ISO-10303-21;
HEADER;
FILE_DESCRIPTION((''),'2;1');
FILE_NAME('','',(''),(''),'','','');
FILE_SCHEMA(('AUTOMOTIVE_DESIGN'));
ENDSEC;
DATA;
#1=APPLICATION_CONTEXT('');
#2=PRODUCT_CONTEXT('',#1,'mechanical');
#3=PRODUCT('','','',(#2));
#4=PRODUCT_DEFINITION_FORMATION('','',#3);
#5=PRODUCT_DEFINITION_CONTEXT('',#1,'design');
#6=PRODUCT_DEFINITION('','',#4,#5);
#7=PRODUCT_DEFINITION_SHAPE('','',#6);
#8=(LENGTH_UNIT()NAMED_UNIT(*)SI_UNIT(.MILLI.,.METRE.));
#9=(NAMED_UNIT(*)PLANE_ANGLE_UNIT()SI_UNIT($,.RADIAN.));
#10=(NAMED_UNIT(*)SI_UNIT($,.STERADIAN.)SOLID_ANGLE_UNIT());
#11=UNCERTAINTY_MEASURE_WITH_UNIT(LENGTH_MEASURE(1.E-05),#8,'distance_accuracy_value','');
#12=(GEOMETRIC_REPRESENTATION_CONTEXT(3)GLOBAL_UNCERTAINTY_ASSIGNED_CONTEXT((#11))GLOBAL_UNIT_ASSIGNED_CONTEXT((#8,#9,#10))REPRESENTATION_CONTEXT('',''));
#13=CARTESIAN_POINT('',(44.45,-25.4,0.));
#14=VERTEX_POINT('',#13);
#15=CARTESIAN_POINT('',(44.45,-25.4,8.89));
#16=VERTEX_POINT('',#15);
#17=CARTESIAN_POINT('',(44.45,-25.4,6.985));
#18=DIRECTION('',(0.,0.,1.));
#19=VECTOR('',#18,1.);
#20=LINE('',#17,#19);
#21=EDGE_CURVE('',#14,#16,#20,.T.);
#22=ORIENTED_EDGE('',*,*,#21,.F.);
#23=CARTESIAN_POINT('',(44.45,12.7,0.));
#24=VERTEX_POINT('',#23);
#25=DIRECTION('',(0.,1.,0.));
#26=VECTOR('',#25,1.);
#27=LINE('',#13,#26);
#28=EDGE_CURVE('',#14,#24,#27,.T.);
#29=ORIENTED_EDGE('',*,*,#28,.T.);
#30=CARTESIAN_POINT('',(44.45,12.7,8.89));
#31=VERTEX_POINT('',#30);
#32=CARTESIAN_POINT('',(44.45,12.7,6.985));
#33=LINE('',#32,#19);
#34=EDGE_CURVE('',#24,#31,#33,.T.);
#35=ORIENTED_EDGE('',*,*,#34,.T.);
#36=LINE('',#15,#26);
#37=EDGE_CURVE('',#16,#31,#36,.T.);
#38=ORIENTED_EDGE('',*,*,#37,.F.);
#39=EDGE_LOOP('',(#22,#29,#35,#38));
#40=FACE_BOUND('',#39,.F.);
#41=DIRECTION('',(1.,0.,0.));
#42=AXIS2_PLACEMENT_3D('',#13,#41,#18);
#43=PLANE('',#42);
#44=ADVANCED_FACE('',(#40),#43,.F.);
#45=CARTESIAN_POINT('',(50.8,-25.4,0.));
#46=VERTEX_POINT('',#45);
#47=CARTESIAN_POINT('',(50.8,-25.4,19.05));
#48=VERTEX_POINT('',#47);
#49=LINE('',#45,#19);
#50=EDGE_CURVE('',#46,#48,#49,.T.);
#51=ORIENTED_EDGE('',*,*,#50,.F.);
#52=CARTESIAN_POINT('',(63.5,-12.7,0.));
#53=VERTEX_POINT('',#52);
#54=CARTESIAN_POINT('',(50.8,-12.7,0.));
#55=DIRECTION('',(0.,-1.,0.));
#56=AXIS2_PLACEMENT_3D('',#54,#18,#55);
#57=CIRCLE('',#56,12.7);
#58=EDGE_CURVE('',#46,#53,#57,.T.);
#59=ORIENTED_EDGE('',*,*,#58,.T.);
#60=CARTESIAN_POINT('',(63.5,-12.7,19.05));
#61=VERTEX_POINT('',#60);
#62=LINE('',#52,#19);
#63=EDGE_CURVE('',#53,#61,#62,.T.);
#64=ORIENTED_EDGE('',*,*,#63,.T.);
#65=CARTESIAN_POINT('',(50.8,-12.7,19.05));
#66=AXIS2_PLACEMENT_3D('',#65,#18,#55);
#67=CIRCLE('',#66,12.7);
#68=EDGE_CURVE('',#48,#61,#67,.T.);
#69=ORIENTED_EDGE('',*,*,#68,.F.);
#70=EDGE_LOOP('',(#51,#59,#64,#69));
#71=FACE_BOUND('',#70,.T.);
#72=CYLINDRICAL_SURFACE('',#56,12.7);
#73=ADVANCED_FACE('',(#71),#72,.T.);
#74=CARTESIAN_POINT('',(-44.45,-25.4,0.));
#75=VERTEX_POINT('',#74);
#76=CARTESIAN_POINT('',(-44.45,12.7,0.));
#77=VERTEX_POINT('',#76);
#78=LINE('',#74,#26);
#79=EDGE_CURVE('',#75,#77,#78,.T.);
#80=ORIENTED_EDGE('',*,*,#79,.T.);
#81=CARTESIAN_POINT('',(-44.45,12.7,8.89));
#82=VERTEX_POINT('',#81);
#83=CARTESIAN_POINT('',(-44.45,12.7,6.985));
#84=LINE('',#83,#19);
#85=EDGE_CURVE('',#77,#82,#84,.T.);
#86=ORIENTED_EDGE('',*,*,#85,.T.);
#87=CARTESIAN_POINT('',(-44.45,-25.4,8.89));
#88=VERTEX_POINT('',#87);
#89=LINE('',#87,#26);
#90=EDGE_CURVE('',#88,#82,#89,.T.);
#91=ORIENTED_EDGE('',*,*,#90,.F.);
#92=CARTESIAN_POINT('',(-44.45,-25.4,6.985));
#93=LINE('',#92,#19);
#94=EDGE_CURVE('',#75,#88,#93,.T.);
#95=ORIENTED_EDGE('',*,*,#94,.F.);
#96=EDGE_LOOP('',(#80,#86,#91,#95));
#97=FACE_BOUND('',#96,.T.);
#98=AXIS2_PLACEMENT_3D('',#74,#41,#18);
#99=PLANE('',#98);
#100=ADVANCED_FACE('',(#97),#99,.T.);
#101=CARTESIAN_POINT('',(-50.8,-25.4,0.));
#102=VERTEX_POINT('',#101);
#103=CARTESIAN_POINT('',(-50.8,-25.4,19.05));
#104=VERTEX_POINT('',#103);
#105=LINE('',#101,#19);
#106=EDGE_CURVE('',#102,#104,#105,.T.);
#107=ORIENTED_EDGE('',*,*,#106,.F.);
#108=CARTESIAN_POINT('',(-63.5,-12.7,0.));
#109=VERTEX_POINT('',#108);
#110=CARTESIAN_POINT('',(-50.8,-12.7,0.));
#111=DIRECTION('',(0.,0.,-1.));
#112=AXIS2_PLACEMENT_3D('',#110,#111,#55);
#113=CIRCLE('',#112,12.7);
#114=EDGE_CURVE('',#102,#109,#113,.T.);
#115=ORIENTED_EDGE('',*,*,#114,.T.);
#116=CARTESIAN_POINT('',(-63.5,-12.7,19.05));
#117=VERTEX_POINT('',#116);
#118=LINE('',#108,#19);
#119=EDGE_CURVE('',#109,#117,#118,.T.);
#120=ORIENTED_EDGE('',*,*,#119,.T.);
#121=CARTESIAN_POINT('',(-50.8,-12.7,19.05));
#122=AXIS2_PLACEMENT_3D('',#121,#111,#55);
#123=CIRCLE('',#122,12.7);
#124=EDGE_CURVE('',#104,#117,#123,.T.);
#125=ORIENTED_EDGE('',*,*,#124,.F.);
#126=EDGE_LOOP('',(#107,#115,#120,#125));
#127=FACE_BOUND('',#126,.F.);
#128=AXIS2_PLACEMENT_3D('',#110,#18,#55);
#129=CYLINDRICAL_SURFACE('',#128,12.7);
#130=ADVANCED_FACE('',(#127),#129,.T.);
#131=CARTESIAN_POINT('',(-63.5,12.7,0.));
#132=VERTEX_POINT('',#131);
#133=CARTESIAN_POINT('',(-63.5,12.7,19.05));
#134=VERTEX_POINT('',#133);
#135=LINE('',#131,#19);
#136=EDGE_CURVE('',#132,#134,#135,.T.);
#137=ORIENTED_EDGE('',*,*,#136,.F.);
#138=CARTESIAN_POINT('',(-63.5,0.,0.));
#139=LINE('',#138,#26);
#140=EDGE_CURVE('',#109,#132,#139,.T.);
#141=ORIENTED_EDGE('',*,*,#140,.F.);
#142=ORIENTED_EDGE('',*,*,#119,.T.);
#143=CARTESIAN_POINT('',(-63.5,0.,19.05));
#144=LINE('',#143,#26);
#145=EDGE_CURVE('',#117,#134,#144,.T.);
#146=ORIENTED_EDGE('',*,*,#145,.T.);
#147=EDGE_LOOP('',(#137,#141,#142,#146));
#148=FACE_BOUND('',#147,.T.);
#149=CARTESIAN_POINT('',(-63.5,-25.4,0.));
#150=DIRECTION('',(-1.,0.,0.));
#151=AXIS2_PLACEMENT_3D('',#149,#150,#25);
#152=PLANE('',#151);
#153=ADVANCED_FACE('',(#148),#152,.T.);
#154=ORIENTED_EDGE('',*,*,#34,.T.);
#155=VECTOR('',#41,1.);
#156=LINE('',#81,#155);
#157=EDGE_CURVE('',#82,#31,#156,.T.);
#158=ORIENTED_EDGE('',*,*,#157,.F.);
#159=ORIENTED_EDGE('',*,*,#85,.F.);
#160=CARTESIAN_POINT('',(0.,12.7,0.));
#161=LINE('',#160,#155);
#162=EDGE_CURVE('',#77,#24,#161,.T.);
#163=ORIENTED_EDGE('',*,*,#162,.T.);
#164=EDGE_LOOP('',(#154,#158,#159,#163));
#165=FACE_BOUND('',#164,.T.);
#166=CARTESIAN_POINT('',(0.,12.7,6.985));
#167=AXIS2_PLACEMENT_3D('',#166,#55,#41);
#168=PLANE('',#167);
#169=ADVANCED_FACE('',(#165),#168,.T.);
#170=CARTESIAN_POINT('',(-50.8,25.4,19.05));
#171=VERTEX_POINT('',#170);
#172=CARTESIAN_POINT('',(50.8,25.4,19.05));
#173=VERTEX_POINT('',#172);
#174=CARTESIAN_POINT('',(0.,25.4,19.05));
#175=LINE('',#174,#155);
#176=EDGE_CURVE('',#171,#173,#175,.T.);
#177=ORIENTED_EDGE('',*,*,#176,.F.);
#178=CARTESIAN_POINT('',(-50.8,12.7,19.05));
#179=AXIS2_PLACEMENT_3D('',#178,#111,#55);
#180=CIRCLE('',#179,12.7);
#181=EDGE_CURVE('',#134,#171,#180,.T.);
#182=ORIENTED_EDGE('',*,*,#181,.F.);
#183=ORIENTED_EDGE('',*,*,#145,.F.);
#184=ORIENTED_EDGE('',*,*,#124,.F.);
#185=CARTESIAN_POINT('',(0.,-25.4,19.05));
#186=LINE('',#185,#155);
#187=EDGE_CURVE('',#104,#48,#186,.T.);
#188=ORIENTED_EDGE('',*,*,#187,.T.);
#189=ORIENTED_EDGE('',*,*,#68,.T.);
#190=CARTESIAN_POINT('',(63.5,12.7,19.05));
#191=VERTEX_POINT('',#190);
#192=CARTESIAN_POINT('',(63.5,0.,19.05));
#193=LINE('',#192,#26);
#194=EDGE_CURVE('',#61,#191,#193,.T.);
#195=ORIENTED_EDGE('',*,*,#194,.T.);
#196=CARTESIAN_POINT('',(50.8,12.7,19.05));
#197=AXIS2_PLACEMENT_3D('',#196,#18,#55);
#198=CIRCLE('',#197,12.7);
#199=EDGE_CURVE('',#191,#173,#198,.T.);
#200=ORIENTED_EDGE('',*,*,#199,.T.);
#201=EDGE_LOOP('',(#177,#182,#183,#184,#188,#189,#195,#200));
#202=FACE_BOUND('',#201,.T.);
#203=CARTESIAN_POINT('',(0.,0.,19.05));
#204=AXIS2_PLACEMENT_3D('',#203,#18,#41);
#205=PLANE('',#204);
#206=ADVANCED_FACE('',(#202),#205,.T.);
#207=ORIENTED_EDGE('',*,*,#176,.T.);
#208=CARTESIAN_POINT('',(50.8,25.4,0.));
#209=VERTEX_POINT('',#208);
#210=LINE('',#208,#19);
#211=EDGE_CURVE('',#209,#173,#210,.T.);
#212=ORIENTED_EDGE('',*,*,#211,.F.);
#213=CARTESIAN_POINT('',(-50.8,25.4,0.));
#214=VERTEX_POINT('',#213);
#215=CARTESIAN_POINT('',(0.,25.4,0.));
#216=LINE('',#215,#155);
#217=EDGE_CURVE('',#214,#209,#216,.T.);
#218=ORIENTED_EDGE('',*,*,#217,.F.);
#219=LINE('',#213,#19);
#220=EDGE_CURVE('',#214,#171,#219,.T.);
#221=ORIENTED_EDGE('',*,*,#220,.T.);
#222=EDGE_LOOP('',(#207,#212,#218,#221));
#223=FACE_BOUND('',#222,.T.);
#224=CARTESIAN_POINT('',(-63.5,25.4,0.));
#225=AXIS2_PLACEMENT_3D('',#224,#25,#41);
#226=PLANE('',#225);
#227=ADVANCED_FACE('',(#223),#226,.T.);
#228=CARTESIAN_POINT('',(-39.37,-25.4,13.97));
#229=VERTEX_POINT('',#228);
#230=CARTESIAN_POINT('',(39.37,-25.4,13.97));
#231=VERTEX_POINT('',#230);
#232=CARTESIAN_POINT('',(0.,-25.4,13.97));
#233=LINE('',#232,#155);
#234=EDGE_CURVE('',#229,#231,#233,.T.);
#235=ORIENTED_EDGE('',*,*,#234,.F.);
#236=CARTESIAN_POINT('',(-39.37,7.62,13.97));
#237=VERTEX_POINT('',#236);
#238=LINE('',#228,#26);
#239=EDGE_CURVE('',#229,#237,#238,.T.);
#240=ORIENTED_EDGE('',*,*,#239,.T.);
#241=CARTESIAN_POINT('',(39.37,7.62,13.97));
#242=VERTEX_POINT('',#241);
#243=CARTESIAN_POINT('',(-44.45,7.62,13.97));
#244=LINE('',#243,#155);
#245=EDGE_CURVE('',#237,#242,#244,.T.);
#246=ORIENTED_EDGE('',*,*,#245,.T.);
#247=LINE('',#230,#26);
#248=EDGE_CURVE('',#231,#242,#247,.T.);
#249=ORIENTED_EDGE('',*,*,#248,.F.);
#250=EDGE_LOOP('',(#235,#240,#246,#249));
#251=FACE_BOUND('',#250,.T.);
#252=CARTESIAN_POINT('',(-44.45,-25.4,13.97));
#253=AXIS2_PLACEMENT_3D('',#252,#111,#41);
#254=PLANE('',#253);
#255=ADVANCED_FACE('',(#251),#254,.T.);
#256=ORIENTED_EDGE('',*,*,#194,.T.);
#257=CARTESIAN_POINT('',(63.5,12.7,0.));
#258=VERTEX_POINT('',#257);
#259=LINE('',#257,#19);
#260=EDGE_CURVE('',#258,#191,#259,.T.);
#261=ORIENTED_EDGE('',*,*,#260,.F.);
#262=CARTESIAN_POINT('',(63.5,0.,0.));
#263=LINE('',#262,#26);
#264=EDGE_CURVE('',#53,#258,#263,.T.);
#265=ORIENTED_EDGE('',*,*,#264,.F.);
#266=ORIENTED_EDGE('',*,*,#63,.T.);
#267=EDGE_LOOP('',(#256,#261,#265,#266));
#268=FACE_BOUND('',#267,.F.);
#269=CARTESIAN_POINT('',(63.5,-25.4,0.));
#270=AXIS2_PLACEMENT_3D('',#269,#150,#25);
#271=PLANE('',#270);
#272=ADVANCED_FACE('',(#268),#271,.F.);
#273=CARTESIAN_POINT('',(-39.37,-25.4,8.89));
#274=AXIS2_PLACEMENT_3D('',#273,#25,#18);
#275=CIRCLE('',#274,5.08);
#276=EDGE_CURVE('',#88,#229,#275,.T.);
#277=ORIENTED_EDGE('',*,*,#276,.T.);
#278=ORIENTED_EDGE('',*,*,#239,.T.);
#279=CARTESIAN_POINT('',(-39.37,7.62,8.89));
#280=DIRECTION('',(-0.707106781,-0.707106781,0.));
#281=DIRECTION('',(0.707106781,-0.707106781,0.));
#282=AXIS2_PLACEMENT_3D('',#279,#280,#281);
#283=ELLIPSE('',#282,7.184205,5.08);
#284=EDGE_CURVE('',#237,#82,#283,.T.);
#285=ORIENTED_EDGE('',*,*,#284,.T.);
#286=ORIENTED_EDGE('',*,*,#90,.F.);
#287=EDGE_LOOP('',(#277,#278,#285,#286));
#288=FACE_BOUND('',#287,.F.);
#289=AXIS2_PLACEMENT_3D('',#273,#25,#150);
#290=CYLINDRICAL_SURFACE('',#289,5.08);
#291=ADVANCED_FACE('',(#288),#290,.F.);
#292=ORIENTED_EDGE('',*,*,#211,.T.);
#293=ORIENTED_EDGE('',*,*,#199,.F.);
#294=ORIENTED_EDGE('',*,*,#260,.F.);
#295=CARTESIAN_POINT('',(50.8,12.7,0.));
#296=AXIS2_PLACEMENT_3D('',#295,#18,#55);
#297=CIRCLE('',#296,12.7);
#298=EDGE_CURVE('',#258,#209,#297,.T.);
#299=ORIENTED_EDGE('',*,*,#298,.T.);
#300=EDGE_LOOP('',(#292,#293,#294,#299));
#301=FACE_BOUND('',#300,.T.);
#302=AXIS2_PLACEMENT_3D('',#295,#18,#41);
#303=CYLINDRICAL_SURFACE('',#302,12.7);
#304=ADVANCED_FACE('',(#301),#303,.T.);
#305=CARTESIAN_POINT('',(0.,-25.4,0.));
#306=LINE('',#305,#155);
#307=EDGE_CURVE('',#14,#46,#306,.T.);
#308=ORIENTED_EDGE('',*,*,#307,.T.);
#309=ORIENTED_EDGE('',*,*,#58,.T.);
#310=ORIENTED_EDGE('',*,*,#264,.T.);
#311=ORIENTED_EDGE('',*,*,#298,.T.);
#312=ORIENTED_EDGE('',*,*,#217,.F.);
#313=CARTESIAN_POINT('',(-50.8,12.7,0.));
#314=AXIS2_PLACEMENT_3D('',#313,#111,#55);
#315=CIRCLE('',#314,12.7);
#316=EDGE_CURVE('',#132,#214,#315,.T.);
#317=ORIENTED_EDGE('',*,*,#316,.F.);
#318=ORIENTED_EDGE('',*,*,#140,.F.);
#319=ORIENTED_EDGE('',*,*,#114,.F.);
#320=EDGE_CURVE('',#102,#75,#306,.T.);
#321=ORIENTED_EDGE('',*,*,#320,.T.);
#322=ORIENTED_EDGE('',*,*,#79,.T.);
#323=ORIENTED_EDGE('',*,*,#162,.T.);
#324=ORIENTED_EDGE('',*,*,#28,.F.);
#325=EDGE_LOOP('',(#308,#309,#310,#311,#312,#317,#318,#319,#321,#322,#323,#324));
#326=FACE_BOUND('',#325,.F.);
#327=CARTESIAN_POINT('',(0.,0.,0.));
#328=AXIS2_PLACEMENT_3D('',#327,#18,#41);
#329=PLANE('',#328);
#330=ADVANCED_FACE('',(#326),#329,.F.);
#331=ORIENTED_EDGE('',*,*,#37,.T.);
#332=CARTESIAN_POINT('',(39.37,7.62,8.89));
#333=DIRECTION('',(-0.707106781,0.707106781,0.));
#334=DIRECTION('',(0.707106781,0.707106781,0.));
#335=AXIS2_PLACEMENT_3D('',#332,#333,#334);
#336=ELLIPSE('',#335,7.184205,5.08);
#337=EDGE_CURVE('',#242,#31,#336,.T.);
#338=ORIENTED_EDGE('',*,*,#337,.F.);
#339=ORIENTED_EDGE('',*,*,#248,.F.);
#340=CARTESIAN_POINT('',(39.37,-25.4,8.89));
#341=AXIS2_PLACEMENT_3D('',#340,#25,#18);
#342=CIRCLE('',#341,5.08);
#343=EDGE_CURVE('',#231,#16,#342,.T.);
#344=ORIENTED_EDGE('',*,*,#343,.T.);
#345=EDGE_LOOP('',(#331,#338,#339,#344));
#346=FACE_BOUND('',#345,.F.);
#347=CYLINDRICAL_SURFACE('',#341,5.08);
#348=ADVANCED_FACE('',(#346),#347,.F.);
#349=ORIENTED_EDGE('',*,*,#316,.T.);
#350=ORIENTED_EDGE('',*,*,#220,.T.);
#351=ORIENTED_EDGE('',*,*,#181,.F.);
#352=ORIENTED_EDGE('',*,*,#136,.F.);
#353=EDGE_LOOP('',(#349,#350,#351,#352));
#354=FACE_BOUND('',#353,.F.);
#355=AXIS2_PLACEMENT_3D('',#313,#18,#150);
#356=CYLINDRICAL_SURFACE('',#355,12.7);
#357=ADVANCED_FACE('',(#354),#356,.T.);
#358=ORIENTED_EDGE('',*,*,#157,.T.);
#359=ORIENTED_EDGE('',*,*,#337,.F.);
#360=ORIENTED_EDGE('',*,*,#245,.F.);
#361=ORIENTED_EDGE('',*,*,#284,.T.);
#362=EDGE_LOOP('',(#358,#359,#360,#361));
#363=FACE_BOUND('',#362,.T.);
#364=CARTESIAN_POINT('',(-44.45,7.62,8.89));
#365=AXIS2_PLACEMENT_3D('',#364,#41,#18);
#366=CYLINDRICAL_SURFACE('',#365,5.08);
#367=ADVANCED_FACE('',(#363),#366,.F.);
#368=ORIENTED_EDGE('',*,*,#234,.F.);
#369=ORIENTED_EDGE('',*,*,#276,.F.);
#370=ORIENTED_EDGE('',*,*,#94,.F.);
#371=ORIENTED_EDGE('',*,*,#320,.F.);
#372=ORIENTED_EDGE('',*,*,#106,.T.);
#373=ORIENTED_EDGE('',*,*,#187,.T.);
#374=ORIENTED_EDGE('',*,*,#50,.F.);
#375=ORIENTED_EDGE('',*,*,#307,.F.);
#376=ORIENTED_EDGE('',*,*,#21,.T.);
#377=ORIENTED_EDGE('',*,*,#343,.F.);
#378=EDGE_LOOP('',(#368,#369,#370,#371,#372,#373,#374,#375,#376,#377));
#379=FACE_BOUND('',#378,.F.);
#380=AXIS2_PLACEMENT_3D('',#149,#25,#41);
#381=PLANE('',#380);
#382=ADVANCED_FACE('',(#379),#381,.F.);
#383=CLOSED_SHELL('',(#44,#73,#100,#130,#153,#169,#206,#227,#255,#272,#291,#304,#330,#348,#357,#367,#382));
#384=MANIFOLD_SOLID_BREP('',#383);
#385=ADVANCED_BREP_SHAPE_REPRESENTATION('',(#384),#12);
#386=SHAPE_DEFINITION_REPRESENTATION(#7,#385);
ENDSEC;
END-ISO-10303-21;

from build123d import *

# Parameters (mm, degrees)
F0_W     = 127
F0_H     = 50.8
F1_DEPTH = 19.05
F2_W     = 88.9
F2_H     = 13.97
F3_DEPTH = 38.1
F4_R     = 5.08
F5_R     = 12.7


with BuildPart() as f1:
    # F0 (on Top) → F1 (new body)
    with BuildSketch(Plane.XY):
        Rectangle(F0_W, F0_H)
    extrude(amount=F1_DEPTH)

    # F2 (on face) → F3 (cut)
    with BuildSketch(Plane.XZ.offset(25.4)):
        with Locations((0, 6.985)):
            Rectangle(F2_W, F2_H)
    extrude(amount=-F3_DEPTH, mode=Mode.SUBTRACT)

    # F4
    f4_edges = [f1.edges().sort_by_distance(p)[0] for p in [
        (44.45, -6.35, 13.97),
        (0, 12.7, 13.97),
        (-44.45, -6.35, 13.97),
    ]]
    fillet(f4_edges, radius=F4_R)

    # F5
    f5_edges = [f1.edges().sort_by_distance(p)[0] for p in [
        (-63.5, 25.4, 9.525),
        (63.5, 25.4, 9.525),
        (-63.5, -25.4, 9.525),
        (63.5, -25.4, 9.525),
    ]]
    fillet(f5_edges, radius=F5_R)


solid = f1.part
